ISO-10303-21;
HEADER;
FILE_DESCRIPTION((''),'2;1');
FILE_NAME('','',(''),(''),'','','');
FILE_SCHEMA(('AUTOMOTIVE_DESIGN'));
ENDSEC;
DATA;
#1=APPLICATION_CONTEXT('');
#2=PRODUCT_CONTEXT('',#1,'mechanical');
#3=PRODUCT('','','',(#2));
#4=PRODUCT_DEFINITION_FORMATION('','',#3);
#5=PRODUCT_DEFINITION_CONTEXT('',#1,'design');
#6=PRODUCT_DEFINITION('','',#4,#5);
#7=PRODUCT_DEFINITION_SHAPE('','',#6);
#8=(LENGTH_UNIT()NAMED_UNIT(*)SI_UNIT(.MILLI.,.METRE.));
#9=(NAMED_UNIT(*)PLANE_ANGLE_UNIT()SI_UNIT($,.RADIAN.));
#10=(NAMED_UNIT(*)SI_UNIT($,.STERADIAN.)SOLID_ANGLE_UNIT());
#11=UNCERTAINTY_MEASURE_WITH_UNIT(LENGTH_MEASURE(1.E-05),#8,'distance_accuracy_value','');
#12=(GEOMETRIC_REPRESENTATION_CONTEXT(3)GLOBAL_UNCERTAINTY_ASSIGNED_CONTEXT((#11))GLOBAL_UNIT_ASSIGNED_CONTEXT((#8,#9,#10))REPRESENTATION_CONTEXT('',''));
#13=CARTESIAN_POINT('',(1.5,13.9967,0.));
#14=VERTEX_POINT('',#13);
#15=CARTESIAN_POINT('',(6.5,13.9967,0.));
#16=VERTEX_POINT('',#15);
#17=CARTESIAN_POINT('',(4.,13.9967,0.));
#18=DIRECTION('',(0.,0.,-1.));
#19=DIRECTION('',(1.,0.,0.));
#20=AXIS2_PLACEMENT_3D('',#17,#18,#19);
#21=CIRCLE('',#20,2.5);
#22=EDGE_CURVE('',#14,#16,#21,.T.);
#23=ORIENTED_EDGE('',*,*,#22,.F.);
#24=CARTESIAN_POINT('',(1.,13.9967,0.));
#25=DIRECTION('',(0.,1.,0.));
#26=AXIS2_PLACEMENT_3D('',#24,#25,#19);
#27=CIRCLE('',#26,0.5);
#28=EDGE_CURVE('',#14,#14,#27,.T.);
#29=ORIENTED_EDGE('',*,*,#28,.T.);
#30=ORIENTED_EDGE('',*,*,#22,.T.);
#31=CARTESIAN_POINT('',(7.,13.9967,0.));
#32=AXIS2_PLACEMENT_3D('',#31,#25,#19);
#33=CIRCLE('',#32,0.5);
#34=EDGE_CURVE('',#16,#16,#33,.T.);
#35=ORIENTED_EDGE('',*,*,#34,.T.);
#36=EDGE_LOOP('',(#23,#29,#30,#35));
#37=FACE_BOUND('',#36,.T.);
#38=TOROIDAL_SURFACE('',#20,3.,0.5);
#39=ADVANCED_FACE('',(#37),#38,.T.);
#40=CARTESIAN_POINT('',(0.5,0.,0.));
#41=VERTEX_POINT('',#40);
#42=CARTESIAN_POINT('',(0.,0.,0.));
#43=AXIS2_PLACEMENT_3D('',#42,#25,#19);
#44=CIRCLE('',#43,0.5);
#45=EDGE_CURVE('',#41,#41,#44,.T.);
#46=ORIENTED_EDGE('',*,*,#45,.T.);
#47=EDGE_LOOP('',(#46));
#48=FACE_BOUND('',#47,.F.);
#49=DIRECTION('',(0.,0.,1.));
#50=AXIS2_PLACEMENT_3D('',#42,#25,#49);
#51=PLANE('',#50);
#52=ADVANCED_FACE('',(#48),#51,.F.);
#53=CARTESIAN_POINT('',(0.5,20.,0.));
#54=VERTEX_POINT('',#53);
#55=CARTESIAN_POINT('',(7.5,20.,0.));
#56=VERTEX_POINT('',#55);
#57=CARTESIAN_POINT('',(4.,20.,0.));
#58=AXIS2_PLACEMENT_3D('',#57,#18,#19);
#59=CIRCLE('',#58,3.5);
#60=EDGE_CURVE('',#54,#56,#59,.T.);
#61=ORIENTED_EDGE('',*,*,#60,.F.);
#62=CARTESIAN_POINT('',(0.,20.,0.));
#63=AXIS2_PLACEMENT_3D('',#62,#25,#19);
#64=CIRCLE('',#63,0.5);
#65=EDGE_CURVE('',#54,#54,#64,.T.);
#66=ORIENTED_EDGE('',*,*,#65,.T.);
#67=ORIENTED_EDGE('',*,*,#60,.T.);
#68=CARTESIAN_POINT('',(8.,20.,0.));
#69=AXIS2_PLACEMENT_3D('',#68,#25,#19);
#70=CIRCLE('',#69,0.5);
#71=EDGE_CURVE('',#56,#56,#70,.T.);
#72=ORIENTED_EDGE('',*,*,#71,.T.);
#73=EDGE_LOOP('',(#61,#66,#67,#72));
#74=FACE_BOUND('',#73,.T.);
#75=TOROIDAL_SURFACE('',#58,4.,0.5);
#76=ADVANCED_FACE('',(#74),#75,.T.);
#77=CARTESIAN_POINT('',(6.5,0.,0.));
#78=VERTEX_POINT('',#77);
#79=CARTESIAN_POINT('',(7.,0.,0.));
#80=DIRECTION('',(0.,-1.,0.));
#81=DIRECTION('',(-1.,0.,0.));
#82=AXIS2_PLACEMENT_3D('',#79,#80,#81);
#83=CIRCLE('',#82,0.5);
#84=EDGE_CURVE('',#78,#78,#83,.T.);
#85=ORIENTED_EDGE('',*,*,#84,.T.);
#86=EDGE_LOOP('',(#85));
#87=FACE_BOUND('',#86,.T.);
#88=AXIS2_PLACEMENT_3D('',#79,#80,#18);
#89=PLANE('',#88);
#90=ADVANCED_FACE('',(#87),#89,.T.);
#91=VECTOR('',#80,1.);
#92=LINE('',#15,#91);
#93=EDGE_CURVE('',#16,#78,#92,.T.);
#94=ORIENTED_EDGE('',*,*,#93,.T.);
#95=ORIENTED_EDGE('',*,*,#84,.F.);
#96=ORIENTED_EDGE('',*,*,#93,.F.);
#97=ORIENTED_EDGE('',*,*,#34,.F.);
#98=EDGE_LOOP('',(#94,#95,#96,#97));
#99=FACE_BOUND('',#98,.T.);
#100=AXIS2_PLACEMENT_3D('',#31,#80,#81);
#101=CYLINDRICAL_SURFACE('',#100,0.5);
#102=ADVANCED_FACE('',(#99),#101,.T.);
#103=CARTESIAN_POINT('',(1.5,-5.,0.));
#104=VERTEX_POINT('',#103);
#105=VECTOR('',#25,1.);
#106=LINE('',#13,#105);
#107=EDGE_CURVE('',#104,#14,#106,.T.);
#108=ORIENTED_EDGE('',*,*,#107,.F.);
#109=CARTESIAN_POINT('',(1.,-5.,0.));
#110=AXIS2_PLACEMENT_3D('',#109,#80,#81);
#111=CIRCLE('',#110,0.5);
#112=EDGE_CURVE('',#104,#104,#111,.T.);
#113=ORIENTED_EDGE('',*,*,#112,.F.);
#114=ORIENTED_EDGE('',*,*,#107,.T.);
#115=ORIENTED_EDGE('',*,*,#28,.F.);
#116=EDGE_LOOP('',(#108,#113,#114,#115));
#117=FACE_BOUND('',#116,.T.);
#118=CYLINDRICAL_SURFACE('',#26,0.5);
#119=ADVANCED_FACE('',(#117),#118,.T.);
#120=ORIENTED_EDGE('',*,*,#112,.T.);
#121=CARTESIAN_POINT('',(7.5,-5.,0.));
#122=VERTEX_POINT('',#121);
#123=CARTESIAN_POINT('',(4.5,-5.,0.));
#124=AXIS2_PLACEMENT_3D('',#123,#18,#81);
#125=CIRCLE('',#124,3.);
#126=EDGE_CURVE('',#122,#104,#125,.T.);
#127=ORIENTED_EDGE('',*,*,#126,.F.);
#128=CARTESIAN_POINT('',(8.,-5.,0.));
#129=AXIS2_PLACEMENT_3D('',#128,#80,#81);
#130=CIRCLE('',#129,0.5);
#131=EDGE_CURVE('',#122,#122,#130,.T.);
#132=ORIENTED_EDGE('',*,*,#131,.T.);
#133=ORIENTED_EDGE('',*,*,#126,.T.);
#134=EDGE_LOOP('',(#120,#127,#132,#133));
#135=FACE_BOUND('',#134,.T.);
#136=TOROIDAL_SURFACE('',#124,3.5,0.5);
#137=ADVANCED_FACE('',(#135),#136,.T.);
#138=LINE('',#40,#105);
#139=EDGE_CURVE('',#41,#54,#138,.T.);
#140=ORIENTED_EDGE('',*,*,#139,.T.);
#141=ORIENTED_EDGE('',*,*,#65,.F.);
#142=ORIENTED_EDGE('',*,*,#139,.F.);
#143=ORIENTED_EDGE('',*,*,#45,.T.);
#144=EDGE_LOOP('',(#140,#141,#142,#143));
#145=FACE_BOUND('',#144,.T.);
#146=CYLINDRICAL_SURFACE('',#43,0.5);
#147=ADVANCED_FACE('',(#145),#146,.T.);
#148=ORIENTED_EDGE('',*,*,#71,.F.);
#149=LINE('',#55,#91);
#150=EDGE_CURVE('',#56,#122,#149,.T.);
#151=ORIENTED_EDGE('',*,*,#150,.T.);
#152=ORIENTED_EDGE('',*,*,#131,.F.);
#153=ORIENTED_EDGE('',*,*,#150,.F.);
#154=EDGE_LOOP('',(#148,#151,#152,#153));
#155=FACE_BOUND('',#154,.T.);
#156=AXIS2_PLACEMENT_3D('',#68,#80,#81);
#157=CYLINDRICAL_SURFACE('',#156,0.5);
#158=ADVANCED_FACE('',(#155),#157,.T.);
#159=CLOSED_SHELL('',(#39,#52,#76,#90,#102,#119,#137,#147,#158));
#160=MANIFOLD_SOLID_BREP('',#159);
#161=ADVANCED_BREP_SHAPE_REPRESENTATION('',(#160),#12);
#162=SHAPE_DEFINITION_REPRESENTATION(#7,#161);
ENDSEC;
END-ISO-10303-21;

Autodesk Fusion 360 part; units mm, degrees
sketch "Sketch1" plane through (0, 0, 0) normal (0, 0, 1) x (1, 0, 0)
  line L0 (0, 0) -> (0, 20)
  line L1 (1, 13.9967) -> (1, -5)
  line L2 (8, 20) -> (8, -5)
  arc A0 (7, 13.9967) -> (1, 13.9967) centre (4, 13.9967) ccw
  line L3 (7, 13.9967) -> (7, 0)
  arc A1 (8, 20) -> (0, 20) centre (4, 20) ccw
  arc A2 (1, -5) -> (8, -5) centre (4.5, -5) ccw
  point P0 (8, 0)
  dimension "d3" = 25
  dimension "d4" = 20
  dimension "d24" = 8
  dimension "d25" = 6
  dimension "d27" = 7
  dimension "d28" = 5
  dimension "d29" = 6.0033
  dimension "d30" = 5
sketch "Sketch2" plane through (0, 0, 0) normal (0, 1, 0) x (1, 0, 0)
  circle A0 centre (0, 0) radius 0.5
  dimension "d7" = 1
sweep "Sweep3" add profiles "Sketch2" path "Sketch1" along L3 A0 L1 A2 L2 A1 L0 section 1
